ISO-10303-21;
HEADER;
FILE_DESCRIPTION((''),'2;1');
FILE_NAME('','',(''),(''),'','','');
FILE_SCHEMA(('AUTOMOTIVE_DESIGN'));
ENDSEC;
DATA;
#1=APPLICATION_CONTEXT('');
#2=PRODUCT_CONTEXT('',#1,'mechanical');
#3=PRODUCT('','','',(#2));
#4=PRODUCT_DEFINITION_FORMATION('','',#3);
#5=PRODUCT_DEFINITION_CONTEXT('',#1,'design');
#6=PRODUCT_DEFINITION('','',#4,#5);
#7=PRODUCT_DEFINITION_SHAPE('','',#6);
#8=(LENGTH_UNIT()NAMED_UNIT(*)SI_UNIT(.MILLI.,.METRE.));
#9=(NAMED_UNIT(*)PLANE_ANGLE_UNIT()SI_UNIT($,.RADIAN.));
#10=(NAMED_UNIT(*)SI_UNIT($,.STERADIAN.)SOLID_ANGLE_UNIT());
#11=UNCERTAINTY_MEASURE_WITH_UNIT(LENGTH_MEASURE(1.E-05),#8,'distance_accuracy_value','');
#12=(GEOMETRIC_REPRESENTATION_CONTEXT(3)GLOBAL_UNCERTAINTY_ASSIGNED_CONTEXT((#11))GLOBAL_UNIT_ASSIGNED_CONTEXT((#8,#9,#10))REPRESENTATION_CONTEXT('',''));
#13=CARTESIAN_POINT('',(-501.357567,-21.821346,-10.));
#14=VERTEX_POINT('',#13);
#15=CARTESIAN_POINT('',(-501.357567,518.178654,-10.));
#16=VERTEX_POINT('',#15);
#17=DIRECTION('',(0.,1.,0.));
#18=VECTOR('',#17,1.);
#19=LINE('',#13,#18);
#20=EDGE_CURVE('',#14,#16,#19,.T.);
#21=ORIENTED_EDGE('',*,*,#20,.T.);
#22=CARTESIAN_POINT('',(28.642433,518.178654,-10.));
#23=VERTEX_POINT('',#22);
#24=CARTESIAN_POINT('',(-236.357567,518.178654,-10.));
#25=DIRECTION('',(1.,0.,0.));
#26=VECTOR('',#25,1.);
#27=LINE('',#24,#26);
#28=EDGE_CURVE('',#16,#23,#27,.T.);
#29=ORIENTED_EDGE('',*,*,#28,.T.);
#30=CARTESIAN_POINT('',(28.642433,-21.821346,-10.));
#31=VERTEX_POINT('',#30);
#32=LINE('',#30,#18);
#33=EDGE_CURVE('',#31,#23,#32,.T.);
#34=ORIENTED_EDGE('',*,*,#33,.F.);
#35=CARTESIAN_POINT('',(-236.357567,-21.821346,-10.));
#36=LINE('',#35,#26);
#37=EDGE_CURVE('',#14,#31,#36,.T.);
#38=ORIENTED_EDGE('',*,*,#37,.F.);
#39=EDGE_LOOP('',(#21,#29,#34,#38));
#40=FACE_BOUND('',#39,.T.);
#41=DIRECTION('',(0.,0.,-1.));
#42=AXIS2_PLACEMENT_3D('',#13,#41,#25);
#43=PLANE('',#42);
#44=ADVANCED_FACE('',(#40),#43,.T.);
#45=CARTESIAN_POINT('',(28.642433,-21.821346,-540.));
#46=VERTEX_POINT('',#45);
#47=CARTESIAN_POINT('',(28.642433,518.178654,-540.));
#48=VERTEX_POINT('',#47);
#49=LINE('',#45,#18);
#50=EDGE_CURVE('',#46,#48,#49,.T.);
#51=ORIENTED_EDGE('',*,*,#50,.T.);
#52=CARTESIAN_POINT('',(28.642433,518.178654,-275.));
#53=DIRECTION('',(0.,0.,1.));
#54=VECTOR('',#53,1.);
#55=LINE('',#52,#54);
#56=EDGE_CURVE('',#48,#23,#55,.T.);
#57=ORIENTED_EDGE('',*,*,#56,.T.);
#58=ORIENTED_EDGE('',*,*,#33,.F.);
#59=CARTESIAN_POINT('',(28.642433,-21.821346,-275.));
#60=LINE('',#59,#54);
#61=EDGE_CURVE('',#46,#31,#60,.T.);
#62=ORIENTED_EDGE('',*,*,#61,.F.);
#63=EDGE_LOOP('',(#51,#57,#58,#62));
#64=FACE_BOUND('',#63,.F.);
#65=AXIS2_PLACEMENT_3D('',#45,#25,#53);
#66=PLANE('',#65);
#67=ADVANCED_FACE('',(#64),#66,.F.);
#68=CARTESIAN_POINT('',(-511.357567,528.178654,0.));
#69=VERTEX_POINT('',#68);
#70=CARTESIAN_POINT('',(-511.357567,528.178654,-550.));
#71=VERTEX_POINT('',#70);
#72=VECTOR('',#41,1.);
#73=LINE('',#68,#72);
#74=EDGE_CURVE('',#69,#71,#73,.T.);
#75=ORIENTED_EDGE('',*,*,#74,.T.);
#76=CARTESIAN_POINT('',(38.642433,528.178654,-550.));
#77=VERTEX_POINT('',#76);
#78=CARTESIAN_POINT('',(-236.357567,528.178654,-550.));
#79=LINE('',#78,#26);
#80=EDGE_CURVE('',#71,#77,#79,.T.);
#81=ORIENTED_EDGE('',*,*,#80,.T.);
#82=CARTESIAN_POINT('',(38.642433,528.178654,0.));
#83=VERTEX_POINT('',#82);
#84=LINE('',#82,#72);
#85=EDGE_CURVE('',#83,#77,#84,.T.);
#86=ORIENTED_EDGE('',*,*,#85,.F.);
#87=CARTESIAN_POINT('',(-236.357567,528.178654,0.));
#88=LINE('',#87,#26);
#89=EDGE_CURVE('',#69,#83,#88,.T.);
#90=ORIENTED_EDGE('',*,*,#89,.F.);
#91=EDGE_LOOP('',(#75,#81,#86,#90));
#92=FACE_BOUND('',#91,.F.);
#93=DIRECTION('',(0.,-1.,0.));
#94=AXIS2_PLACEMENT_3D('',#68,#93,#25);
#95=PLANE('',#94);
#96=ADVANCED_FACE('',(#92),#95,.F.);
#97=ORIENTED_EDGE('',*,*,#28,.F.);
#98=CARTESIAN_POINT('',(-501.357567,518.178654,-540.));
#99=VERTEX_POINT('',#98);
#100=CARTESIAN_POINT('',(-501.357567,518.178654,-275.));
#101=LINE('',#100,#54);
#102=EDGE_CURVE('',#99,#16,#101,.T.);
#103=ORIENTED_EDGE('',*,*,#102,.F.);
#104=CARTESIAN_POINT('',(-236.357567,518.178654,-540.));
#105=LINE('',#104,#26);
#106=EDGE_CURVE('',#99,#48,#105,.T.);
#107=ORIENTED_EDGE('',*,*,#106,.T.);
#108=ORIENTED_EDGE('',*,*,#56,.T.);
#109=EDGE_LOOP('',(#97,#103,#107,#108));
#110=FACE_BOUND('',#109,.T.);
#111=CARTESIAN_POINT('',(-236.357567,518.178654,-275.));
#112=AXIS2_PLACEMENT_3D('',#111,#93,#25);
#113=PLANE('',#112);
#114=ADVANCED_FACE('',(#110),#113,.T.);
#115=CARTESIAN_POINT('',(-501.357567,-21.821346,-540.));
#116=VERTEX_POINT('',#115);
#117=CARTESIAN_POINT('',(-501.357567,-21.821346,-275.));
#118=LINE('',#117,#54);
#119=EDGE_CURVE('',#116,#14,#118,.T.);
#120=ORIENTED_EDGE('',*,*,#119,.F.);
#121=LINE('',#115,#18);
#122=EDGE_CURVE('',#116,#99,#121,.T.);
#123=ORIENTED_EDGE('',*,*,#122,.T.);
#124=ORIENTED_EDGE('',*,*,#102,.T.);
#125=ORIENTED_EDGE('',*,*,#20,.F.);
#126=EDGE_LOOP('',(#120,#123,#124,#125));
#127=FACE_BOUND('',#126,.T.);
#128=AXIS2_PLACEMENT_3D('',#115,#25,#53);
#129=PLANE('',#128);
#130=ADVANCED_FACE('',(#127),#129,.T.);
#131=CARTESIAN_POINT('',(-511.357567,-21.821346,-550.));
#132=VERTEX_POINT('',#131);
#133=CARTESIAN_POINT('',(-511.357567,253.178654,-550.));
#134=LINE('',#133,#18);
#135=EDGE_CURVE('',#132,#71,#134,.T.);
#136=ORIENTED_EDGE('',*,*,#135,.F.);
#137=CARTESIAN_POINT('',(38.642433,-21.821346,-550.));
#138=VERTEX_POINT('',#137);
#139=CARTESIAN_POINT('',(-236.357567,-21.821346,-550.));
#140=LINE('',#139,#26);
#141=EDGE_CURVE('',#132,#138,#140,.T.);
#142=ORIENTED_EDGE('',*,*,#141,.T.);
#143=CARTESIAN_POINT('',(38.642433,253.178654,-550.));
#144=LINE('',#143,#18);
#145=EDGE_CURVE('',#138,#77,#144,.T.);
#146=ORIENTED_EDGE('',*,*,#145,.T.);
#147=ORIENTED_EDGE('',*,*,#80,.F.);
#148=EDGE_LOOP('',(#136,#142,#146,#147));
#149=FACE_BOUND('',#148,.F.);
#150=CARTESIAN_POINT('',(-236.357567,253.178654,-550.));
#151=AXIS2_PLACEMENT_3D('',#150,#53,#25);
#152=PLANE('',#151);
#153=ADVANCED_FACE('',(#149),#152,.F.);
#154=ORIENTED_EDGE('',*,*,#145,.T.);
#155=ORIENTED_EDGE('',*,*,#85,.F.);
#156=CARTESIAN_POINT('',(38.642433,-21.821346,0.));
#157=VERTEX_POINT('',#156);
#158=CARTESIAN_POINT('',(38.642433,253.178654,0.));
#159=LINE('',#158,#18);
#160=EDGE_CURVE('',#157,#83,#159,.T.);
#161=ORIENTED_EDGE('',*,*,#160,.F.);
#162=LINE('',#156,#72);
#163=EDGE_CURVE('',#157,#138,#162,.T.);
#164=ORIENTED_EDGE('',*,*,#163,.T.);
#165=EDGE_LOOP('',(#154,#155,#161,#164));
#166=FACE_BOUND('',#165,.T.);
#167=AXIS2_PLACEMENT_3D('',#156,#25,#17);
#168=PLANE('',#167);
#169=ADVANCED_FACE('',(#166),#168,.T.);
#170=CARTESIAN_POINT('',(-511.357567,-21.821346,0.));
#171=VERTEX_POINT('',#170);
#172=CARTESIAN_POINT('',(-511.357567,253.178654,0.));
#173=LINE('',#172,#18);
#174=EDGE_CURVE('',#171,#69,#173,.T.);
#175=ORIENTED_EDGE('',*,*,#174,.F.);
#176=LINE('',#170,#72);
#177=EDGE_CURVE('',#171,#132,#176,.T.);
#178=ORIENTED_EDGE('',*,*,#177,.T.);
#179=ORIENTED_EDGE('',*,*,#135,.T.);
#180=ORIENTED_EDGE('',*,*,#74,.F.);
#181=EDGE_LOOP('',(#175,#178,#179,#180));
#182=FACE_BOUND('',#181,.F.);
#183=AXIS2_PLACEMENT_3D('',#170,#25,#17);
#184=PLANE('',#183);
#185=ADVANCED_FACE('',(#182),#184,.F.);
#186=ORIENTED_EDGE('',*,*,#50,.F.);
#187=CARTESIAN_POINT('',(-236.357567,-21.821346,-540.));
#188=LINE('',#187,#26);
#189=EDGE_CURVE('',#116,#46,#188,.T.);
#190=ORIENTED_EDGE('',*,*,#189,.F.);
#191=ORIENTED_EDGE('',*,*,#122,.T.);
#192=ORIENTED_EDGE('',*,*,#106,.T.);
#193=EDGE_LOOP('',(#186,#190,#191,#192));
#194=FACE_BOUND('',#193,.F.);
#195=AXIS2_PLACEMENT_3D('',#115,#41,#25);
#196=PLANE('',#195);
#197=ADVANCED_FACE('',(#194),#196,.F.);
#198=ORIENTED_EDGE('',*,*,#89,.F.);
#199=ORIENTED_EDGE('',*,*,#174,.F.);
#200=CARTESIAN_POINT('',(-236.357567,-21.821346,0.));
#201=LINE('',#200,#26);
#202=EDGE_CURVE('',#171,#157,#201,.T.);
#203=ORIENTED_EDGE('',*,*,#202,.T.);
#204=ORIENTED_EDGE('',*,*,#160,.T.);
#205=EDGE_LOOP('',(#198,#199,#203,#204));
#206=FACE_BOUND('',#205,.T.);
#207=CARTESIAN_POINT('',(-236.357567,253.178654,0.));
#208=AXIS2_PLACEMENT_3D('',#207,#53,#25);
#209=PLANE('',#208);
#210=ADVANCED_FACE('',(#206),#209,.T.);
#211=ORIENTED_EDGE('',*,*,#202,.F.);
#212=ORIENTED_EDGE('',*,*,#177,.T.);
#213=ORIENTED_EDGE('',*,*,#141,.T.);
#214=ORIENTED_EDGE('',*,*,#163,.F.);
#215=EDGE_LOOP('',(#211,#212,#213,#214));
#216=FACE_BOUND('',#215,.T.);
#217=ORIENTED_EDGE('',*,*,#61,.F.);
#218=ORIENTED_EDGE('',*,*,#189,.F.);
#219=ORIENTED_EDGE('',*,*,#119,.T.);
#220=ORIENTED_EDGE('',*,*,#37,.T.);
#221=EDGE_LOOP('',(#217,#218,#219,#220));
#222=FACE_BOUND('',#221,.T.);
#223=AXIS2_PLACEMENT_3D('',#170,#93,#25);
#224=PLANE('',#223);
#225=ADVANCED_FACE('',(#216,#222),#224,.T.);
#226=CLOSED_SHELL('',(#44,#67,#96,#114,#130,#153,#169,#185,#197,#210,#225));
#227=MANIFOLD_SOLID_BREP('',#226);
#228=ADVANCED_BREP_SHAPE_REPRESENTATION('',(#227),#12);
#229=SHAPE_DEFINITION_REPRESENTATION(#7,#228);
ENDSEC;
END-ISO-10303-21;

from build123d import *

# Parameters (mm, degrees)
F0_W     = 550
F0_H     = 550
F1_DEPTH = 550
F2_W     = 530
F2_H     = 530
F3_DEPTH = 540


with BuildPart() as f1:
    # F0 (on Top) → F1 (new body)
    with BuildSketch(Plane.XY):
        with Locations((-236.357567, 253.178654)):
            Rectangle(F0_W, F0_H)
    extrude(amount=-F1_DEPTH)

    # F2 (on face) → F3 (cut)
    with BuildSketch(Plane.XZ.offset(21.821346)):
        with Locations((-236.357567, -275)):
            Rectangle(F2_W, F2_H)
    extrude(amount=-F3_DEPTH, mode=Mode.SUBTRACT)


solid = f1.part
